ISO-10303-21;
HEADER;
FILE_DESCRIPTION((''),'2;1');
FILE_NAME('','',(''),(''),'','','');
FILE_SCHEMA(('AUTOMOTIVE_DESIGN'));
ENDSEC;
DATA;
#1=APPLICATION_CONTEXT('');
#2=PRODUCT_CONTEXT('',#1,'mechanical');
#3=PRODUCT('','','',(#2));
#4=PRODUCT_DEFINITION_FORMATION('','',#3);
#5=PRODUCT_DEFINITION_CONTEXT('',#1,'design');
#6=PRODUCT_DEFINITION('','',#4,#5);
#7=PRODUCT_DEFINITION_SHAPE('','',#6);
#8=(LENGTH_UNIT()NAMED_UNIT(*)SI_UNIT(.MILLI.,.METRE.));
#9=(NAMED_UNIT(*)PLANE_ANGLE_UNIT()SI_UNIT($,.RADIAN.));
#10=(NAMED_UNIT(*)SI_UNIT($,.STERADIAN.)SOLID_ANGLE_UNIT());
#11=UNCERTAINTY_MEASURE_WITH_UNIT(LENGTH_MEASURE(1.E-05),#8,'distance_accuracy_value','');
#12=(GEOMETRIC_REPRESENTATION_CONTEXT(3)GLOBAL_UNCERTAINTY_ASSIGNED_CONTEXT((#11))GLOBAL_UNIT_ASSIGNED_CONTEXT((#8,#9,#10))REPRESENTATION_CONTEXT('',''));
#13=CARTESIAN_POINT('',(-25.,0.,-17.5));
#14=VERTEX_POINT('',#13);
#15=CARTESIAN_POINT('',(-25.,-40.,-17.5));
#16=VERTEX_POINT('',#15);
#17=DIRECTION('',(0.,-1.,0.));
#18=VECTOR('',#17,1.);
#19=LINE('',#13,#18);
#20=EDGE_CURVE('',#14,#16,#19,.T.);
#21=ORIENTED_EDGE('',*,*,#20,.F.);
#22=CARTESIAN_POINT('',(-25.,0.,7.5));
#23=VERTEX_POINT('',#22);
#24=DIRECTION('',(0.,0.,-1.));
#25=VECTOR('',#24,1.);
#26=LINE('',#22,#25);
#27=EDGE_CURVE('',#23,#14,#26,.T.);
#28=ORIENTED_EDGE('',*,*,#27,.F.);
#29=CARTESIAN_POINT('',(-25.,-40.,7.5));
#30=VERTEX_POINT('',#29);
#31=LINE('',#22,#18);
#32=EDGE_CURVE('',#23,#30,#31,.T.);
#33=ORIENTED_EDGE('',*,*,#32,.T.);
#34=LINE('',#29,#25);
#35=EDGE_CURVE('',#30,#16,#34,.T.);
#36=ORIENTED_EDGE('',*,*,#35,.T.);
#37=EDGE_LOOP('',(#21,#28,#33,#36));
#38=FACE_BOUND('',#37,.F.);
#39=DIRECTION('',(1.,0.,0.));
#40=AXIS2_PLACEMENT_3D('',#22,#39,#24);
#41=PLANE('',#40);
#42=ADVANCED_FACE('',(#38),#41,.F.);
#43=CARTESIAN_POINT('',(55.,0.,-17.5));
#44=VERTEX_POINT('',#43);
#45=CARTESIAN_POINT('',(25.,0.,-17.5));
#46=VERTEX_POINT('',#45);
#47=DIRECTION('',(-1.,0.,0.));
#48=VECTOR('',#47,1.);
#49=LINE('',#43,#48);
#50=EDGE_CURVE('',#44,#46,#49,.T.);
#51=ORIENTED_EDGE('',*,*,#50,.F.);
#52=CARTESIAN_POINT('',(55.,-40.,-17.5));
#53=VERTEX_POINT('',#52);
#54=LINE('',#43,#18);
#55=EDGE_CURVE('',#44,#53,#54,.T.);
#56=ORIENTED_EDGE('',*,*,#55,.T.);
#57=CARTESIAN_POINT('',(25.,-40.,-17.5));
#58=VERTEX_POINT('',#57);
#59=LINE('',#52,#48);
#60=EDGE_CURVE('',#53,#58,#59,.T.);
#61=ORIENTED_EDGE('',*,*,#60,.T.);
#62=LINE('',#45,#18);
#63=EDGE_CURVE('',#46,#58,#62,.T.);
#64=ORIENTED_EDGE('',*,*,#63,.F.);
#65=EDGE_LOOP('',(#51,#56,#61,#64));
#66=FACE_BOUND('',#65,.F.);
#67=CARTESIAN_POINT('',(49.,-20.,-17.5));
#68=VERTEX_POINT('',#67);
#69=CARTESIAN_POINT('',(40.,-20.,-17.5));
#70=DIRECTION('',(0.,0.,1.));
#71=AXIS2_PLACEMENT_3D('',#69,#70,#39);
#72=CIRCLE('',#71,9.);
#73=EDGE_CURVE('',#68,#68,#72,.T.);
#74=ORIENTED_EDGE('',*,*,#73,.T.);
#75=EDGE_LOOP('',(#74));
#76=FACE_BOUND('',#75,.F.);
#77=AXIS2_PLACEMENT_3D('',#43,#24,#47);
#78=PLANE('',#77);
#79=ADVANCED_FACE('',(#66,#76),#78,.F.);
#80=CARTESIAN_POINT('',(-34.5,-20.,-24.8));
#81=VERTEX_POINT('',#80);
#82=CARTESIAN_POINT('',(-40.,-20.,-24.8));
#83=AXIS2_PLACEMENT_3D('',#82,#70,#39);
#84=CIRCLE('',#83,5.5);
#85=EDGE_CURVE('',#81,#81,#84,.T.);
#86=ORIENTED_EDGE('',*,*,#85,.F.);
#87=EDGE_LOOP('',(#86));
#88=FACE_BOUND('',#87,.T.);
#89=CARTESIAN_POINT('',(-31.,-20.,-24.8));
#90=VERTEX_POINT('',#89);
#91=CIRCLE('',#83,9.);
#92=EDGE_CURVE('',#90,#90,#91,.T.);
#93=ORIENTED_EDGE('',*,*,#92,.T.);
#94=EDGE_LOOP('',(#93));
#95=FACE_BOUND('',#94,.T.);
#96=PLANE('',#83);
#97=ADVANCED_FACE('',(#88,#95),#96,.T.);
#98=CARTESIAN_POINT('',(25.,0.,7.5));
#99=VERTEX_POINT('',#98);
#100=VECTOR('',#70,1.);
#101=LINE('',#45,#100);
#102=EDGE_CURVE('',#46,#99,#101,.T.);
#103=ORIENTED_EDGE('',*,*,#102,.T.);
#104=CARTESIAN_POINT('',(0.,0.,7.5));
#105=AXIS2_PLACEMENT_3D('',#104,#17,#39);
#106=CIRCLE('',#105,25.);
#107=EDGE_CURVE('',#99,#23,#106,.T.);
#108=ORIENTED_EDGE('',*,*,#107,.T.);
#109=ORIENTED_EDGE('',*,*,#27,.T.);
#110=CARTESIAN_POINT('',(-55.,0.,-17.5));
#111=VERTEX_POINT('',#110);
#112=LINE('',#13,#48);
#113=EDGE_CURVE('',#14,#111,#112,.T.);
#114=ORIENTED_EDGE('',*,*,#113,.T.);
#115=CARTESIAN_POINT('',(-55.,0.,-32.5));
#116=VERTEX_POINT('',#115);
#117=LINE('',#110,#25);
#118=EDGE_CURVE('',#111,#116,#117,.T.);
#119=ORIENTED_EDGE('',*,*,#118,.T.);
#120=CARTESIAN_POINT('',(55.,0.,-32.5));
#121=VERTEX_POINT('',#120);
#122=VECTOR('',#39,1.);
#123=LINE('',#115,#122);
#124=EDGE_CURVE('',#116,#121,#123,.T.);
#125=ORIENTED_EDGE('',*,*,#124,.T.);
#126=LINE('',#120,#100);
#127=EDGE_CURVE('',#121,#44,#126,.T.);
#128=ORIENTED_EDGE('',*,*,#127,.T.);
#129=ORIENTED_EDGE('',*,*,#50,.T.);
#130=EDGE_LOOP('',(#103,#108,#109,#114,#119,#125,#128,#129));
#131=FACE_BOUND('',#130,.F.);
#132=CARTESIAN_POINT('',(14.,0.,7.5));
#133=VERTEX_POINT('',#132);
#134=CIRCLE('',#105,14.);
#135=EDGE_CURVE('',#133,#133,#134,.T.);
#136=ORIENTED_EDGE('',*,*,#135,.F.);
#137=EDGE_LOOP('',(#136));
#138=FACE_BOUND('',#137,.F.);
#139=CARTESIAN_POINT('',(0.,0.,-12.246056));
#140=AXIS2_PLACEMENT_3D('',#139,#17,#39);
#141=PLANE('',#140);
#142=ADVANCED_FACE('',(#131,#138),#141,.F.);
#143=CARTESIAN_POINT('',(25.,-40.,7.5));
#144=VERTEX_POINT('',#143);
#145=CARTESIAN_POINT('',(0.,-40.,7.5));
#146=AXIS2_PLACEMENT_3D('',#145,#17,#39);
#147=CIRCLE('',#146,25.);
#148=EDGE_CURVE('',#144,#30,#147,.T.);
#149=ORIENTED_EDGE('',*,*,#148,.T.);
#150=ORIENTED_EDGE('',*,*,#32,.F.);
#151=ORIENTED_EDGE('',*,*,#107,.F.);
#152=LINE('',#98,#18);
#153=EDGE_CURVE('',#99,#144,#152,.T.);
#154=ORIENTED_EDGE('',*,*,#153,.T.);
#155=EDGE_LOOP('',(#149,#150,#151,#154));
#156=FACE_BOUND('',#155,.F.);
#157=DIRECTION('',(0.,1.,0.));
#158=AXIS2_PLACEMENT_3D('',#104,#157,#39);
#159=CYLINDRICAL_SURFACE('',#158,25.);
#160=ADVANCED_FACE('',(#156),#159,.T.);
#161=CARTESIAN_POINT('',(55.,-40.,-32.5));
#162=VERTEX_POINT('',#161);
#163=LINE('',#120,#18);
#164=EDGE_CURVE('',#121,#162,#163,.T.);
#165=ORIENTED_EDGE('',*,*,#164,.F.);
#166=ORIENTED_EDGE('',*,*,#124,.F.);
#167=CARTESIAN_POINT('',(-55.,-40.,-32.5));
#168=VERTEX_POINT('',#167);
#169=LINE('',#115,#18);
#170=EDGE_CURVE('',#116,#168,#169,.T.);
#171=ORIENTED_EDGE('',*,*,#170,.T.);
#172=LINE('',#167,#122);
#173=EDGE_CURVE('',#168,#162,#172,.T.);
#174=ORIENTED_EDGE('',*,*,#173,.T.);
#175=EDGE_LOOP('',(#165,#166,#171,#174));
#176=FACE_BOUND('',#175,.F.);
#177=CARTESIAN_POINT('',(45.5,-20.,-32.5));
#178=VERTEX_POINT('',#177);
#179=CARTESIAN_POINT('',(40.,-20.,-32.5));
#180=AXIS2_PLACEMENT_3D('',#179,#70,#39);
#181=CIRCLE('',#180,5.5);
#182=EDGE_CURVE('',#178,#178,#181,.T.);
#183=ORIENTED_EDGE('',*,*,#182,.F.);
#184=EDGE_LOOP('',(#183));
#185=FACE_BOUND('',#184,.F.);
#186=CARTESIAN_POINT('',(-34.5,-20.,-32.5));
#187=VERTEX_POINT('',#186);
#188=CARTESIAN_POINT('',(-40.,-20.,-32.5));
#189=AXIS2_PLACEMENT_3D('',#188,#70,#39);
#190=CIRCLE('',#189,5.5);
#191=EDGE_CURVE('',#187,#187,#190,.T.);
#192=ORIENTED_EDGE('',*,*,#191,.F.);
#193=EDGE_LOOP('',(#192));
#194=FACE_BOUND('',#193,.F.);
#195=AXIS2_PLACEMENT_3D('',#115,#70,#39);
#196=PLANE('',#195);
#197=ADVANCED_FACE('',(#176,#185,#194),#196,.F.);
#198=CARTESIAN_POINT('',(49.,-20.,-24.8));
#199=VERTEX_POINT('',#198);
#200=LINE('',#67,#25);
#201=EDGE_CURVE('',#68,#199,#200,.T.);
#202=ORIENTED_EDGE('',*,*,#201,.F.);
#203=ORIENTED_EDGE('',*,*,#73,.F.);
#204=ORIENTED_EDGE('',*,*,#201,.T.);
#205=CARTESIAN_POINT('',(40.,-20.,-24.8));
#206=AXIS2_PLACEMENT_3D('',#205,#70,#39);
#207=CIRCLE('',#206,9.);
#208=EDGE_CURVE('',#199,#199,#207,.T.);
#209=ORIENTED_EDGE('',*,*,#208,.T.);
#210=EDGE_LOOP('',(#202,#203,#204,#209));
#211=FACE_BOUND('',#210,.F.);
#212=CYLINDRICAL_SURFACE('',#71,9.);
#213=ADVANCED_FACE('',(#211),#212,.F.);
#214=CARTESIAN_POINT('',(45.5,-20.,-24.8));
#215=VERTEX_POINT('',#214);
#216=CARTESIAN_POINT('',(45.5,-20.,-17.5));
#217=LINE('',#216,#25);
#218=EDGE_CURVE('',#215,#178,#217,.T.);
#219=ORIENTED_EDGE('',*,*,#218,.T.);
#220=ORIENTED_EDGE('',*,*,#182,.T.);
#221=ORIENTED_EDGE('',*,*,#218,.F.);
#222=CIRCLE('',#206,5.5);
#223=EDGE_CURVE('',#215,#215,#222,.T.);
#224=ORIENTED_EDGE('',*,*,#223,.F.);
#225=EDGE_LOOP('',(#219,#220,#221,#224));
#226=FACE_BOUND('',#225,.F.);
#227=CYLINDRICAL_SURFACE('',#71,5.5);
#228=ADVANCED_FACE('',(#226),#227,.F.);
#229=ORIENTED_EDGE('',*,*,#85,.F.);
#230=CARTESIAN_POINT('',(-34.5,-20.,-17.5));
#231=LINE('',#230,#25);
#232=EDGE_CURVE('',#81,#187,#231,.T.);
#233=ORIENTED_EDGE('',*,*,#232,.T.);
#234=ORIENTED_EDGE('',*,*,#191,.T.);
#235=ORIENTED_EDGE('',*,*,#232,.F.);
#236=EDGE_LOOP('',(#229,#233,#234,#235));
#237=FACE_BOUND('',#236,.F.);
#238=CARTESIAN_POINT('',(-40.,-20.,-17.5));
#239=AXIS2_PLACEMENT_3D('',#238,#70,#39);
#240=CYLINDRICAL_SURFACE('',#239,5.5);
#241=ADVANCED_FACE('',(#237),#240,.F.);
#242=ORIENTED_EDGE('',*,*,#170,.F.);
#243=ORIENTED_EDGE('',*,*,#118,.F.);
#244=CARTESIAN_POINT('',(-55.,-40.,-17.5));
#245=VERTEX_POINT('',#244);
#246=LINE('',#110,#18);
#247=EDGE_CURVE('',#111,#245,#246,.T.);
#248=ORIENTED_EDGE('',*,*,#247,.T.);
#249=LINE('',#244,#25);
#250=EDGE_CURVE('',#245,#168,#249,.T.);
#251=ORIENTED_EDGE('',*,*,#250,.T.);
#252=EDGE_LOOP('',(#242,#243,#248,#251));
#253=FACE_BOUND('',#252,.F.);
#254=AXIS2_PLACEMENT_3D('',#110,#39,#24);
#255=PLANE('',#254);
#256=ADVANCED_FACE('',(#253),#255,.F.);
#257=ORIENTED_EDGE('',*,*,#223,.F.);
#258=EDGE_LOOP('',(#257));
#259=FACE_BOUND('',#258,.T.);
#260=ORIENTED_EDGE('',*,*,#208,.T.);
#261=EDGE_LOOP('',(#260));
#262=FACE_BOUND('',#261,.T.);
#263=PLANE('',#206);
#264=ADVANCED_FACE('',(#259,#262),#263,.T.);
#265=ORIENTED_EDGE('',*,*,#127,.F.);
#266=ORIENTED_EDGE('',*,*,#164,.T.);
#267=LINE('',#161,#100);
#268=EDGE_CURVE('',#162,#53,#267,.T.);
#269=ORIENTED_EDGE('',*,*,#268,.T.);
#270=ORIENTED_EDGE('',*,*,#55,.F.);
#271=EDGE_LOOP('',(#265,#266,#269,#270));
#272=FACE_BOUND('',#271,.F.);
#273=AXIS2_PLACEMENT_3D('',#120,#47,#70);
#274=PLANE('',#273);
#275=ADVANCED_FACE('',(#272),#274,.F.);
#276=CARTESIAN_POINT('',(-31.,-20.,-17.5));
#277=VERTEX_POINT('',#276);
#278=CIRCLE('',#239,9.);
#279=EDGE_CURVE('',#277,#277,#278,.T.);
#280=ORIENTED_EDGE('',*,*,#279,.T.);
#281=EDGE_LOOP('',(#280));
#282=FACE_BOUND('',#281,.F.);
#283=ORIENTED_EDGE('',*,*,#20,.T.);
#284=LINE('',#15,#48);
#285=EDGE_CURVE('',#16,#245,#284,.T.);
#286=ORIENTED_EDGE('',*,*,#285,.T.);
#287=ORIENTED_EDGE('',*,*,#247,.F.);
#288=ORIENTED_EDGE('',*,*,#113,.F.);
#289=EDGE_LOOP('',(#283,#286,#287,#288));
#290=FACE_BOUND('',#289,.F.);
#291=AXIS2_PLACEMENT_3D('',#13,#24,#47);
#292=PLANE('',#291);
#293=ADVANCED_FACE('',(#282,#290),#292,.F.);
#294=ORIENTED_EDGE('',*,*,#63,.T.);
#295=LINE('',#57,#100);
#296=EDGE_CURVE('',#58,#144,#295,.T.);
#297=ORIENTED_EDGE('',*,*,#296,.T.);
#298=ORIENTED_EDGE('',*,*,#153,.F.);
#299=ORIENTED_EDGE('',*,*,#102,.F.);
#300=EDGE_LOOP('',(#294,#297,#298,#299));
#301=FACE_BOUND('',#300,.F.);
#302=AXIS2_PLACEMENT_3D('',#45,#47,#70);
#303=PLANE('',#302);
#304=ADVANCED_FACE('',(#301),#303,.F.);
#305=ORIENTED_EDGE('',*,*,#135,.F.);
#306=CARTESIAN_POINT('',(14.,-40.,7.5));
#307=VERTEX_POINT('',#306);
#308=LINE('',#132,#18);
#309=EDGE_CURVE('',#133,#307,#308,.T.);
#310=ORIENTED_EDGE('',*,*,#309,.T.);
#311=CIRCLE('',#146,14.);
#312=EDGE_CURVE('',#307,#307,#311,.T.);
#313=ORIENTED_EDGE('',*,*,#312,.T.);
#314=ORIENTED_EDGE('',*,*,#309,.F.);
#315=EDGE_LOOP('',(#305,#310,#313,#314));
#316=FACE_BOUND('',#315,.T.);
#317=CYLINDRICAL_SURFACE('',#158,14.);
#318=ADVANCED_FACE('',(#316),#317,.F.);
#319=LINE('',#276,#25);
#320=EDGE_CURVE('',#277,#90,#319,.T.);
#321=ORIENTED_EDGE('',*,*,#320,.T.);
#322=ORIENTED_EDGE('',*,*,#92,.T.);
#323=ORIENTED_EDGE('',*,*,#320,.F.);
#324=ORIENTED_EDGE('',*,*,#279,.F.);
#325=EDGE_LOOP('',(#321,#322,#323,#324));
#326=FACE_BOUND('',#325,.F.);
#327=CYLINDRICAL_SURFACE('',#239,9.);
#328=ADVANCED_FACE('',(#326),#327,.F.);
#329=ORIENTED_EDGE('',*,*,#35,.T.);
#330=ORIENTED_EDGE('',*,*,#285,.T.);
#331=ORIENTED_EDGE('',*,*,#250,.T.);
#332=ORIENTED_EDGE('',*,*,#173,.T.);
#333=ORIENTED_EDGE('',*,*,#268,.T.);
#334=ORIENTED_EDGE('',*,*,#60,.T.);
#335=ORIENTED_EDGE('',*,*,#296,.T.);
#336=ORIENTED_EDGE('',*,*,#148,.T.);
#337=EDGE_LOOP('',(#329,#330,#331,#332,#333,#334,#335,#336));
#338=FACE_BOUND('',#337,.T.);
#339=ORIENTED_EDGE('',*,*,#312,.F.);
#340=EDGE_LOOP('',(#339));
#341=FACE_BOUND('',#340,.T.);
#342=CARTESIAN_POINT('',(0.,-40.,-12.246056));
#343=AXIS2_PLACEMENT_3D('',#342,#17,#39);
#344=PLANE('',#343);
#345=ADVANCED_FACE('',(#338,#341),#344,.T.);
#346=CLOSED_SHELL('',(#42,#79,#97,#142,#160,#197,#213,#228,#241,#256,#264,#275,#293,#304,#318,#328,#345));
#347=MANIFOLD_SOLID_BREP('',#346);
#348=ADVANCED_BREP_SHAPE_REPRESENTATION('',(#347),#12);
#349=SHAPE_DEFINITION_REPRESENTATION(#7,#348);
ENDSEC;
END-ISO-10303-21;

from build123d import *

# Parameters (mm, degrees)
F0_R     = 14
F1_DEPTH = 40
F2_R     = 5.5
F3_R     = 5.5
F4_DEPTH = 15
F2_R_2   = 9
F3_R_2   = 9
F5_DEPTH = 7.3


with BuildPart() as f1:
    # F0 (on Front) → F1 (new body)
    with BuildSketch(Plane.XZ):
        with BuildLine():
            Line((-55, -17.5), (-55, -32.5))
            Line((-55, -32.5), (55, -32.5))
            Line((55, -32.5), (55, -17.5))
            Line((55, -17.5), (25, -17.5))
            Line((25, -17.5), (25, 7.5))
            ThreePointArc((25, 7.5), (0, 32.5), (-25, 7.5))
            Line((-25, 7.5), (-25, -17.5))
            Line((-25, -17.5), (-55, -17.5))
        make_face()
        with Locations((0, 7.5)):
            Circle(F0_R, mode=Mode.SUBTRACT)
    extrude(amount=F1_DEPTH)

    # F2 (on face) + F3 (on face) → F4 (cut)
    with BuildSketch(Plane.XY.offset(-17.5)):
        with Locations((-40, -20)):
            Circle(F2_R)
    with BuildSketch(Plane.XY.offset(-17.5)):
        with Locations((40, -20)):
            Circle(F3_R)
    extrude(amount=-F4_DEPTH, mode=Mode.SUBTRACT)

    # F2 (on face) + F3 (on face) → F5 (cut)
    with BuildSketch(Plane.XY.offset(-17.5)):
        with Locations((-40, -20)):
            Circle(F2_R_2)
        with Locations((-40, -20)):
            Circle(F2_R, mode=Mode.SUBTRACT)
    with BuildSketch(Plane.XY.offset(-17.5)):
        with Locations((40, -20)):
            Circle(F3_R_2)
        with Locations((40, -20)):
            Circle(F3_R, mode=Mode.SUBTRACT)
    extrude(amount=-F5_DEPTH, mode=Mode.SUBTRACT)


solid = f1.part
